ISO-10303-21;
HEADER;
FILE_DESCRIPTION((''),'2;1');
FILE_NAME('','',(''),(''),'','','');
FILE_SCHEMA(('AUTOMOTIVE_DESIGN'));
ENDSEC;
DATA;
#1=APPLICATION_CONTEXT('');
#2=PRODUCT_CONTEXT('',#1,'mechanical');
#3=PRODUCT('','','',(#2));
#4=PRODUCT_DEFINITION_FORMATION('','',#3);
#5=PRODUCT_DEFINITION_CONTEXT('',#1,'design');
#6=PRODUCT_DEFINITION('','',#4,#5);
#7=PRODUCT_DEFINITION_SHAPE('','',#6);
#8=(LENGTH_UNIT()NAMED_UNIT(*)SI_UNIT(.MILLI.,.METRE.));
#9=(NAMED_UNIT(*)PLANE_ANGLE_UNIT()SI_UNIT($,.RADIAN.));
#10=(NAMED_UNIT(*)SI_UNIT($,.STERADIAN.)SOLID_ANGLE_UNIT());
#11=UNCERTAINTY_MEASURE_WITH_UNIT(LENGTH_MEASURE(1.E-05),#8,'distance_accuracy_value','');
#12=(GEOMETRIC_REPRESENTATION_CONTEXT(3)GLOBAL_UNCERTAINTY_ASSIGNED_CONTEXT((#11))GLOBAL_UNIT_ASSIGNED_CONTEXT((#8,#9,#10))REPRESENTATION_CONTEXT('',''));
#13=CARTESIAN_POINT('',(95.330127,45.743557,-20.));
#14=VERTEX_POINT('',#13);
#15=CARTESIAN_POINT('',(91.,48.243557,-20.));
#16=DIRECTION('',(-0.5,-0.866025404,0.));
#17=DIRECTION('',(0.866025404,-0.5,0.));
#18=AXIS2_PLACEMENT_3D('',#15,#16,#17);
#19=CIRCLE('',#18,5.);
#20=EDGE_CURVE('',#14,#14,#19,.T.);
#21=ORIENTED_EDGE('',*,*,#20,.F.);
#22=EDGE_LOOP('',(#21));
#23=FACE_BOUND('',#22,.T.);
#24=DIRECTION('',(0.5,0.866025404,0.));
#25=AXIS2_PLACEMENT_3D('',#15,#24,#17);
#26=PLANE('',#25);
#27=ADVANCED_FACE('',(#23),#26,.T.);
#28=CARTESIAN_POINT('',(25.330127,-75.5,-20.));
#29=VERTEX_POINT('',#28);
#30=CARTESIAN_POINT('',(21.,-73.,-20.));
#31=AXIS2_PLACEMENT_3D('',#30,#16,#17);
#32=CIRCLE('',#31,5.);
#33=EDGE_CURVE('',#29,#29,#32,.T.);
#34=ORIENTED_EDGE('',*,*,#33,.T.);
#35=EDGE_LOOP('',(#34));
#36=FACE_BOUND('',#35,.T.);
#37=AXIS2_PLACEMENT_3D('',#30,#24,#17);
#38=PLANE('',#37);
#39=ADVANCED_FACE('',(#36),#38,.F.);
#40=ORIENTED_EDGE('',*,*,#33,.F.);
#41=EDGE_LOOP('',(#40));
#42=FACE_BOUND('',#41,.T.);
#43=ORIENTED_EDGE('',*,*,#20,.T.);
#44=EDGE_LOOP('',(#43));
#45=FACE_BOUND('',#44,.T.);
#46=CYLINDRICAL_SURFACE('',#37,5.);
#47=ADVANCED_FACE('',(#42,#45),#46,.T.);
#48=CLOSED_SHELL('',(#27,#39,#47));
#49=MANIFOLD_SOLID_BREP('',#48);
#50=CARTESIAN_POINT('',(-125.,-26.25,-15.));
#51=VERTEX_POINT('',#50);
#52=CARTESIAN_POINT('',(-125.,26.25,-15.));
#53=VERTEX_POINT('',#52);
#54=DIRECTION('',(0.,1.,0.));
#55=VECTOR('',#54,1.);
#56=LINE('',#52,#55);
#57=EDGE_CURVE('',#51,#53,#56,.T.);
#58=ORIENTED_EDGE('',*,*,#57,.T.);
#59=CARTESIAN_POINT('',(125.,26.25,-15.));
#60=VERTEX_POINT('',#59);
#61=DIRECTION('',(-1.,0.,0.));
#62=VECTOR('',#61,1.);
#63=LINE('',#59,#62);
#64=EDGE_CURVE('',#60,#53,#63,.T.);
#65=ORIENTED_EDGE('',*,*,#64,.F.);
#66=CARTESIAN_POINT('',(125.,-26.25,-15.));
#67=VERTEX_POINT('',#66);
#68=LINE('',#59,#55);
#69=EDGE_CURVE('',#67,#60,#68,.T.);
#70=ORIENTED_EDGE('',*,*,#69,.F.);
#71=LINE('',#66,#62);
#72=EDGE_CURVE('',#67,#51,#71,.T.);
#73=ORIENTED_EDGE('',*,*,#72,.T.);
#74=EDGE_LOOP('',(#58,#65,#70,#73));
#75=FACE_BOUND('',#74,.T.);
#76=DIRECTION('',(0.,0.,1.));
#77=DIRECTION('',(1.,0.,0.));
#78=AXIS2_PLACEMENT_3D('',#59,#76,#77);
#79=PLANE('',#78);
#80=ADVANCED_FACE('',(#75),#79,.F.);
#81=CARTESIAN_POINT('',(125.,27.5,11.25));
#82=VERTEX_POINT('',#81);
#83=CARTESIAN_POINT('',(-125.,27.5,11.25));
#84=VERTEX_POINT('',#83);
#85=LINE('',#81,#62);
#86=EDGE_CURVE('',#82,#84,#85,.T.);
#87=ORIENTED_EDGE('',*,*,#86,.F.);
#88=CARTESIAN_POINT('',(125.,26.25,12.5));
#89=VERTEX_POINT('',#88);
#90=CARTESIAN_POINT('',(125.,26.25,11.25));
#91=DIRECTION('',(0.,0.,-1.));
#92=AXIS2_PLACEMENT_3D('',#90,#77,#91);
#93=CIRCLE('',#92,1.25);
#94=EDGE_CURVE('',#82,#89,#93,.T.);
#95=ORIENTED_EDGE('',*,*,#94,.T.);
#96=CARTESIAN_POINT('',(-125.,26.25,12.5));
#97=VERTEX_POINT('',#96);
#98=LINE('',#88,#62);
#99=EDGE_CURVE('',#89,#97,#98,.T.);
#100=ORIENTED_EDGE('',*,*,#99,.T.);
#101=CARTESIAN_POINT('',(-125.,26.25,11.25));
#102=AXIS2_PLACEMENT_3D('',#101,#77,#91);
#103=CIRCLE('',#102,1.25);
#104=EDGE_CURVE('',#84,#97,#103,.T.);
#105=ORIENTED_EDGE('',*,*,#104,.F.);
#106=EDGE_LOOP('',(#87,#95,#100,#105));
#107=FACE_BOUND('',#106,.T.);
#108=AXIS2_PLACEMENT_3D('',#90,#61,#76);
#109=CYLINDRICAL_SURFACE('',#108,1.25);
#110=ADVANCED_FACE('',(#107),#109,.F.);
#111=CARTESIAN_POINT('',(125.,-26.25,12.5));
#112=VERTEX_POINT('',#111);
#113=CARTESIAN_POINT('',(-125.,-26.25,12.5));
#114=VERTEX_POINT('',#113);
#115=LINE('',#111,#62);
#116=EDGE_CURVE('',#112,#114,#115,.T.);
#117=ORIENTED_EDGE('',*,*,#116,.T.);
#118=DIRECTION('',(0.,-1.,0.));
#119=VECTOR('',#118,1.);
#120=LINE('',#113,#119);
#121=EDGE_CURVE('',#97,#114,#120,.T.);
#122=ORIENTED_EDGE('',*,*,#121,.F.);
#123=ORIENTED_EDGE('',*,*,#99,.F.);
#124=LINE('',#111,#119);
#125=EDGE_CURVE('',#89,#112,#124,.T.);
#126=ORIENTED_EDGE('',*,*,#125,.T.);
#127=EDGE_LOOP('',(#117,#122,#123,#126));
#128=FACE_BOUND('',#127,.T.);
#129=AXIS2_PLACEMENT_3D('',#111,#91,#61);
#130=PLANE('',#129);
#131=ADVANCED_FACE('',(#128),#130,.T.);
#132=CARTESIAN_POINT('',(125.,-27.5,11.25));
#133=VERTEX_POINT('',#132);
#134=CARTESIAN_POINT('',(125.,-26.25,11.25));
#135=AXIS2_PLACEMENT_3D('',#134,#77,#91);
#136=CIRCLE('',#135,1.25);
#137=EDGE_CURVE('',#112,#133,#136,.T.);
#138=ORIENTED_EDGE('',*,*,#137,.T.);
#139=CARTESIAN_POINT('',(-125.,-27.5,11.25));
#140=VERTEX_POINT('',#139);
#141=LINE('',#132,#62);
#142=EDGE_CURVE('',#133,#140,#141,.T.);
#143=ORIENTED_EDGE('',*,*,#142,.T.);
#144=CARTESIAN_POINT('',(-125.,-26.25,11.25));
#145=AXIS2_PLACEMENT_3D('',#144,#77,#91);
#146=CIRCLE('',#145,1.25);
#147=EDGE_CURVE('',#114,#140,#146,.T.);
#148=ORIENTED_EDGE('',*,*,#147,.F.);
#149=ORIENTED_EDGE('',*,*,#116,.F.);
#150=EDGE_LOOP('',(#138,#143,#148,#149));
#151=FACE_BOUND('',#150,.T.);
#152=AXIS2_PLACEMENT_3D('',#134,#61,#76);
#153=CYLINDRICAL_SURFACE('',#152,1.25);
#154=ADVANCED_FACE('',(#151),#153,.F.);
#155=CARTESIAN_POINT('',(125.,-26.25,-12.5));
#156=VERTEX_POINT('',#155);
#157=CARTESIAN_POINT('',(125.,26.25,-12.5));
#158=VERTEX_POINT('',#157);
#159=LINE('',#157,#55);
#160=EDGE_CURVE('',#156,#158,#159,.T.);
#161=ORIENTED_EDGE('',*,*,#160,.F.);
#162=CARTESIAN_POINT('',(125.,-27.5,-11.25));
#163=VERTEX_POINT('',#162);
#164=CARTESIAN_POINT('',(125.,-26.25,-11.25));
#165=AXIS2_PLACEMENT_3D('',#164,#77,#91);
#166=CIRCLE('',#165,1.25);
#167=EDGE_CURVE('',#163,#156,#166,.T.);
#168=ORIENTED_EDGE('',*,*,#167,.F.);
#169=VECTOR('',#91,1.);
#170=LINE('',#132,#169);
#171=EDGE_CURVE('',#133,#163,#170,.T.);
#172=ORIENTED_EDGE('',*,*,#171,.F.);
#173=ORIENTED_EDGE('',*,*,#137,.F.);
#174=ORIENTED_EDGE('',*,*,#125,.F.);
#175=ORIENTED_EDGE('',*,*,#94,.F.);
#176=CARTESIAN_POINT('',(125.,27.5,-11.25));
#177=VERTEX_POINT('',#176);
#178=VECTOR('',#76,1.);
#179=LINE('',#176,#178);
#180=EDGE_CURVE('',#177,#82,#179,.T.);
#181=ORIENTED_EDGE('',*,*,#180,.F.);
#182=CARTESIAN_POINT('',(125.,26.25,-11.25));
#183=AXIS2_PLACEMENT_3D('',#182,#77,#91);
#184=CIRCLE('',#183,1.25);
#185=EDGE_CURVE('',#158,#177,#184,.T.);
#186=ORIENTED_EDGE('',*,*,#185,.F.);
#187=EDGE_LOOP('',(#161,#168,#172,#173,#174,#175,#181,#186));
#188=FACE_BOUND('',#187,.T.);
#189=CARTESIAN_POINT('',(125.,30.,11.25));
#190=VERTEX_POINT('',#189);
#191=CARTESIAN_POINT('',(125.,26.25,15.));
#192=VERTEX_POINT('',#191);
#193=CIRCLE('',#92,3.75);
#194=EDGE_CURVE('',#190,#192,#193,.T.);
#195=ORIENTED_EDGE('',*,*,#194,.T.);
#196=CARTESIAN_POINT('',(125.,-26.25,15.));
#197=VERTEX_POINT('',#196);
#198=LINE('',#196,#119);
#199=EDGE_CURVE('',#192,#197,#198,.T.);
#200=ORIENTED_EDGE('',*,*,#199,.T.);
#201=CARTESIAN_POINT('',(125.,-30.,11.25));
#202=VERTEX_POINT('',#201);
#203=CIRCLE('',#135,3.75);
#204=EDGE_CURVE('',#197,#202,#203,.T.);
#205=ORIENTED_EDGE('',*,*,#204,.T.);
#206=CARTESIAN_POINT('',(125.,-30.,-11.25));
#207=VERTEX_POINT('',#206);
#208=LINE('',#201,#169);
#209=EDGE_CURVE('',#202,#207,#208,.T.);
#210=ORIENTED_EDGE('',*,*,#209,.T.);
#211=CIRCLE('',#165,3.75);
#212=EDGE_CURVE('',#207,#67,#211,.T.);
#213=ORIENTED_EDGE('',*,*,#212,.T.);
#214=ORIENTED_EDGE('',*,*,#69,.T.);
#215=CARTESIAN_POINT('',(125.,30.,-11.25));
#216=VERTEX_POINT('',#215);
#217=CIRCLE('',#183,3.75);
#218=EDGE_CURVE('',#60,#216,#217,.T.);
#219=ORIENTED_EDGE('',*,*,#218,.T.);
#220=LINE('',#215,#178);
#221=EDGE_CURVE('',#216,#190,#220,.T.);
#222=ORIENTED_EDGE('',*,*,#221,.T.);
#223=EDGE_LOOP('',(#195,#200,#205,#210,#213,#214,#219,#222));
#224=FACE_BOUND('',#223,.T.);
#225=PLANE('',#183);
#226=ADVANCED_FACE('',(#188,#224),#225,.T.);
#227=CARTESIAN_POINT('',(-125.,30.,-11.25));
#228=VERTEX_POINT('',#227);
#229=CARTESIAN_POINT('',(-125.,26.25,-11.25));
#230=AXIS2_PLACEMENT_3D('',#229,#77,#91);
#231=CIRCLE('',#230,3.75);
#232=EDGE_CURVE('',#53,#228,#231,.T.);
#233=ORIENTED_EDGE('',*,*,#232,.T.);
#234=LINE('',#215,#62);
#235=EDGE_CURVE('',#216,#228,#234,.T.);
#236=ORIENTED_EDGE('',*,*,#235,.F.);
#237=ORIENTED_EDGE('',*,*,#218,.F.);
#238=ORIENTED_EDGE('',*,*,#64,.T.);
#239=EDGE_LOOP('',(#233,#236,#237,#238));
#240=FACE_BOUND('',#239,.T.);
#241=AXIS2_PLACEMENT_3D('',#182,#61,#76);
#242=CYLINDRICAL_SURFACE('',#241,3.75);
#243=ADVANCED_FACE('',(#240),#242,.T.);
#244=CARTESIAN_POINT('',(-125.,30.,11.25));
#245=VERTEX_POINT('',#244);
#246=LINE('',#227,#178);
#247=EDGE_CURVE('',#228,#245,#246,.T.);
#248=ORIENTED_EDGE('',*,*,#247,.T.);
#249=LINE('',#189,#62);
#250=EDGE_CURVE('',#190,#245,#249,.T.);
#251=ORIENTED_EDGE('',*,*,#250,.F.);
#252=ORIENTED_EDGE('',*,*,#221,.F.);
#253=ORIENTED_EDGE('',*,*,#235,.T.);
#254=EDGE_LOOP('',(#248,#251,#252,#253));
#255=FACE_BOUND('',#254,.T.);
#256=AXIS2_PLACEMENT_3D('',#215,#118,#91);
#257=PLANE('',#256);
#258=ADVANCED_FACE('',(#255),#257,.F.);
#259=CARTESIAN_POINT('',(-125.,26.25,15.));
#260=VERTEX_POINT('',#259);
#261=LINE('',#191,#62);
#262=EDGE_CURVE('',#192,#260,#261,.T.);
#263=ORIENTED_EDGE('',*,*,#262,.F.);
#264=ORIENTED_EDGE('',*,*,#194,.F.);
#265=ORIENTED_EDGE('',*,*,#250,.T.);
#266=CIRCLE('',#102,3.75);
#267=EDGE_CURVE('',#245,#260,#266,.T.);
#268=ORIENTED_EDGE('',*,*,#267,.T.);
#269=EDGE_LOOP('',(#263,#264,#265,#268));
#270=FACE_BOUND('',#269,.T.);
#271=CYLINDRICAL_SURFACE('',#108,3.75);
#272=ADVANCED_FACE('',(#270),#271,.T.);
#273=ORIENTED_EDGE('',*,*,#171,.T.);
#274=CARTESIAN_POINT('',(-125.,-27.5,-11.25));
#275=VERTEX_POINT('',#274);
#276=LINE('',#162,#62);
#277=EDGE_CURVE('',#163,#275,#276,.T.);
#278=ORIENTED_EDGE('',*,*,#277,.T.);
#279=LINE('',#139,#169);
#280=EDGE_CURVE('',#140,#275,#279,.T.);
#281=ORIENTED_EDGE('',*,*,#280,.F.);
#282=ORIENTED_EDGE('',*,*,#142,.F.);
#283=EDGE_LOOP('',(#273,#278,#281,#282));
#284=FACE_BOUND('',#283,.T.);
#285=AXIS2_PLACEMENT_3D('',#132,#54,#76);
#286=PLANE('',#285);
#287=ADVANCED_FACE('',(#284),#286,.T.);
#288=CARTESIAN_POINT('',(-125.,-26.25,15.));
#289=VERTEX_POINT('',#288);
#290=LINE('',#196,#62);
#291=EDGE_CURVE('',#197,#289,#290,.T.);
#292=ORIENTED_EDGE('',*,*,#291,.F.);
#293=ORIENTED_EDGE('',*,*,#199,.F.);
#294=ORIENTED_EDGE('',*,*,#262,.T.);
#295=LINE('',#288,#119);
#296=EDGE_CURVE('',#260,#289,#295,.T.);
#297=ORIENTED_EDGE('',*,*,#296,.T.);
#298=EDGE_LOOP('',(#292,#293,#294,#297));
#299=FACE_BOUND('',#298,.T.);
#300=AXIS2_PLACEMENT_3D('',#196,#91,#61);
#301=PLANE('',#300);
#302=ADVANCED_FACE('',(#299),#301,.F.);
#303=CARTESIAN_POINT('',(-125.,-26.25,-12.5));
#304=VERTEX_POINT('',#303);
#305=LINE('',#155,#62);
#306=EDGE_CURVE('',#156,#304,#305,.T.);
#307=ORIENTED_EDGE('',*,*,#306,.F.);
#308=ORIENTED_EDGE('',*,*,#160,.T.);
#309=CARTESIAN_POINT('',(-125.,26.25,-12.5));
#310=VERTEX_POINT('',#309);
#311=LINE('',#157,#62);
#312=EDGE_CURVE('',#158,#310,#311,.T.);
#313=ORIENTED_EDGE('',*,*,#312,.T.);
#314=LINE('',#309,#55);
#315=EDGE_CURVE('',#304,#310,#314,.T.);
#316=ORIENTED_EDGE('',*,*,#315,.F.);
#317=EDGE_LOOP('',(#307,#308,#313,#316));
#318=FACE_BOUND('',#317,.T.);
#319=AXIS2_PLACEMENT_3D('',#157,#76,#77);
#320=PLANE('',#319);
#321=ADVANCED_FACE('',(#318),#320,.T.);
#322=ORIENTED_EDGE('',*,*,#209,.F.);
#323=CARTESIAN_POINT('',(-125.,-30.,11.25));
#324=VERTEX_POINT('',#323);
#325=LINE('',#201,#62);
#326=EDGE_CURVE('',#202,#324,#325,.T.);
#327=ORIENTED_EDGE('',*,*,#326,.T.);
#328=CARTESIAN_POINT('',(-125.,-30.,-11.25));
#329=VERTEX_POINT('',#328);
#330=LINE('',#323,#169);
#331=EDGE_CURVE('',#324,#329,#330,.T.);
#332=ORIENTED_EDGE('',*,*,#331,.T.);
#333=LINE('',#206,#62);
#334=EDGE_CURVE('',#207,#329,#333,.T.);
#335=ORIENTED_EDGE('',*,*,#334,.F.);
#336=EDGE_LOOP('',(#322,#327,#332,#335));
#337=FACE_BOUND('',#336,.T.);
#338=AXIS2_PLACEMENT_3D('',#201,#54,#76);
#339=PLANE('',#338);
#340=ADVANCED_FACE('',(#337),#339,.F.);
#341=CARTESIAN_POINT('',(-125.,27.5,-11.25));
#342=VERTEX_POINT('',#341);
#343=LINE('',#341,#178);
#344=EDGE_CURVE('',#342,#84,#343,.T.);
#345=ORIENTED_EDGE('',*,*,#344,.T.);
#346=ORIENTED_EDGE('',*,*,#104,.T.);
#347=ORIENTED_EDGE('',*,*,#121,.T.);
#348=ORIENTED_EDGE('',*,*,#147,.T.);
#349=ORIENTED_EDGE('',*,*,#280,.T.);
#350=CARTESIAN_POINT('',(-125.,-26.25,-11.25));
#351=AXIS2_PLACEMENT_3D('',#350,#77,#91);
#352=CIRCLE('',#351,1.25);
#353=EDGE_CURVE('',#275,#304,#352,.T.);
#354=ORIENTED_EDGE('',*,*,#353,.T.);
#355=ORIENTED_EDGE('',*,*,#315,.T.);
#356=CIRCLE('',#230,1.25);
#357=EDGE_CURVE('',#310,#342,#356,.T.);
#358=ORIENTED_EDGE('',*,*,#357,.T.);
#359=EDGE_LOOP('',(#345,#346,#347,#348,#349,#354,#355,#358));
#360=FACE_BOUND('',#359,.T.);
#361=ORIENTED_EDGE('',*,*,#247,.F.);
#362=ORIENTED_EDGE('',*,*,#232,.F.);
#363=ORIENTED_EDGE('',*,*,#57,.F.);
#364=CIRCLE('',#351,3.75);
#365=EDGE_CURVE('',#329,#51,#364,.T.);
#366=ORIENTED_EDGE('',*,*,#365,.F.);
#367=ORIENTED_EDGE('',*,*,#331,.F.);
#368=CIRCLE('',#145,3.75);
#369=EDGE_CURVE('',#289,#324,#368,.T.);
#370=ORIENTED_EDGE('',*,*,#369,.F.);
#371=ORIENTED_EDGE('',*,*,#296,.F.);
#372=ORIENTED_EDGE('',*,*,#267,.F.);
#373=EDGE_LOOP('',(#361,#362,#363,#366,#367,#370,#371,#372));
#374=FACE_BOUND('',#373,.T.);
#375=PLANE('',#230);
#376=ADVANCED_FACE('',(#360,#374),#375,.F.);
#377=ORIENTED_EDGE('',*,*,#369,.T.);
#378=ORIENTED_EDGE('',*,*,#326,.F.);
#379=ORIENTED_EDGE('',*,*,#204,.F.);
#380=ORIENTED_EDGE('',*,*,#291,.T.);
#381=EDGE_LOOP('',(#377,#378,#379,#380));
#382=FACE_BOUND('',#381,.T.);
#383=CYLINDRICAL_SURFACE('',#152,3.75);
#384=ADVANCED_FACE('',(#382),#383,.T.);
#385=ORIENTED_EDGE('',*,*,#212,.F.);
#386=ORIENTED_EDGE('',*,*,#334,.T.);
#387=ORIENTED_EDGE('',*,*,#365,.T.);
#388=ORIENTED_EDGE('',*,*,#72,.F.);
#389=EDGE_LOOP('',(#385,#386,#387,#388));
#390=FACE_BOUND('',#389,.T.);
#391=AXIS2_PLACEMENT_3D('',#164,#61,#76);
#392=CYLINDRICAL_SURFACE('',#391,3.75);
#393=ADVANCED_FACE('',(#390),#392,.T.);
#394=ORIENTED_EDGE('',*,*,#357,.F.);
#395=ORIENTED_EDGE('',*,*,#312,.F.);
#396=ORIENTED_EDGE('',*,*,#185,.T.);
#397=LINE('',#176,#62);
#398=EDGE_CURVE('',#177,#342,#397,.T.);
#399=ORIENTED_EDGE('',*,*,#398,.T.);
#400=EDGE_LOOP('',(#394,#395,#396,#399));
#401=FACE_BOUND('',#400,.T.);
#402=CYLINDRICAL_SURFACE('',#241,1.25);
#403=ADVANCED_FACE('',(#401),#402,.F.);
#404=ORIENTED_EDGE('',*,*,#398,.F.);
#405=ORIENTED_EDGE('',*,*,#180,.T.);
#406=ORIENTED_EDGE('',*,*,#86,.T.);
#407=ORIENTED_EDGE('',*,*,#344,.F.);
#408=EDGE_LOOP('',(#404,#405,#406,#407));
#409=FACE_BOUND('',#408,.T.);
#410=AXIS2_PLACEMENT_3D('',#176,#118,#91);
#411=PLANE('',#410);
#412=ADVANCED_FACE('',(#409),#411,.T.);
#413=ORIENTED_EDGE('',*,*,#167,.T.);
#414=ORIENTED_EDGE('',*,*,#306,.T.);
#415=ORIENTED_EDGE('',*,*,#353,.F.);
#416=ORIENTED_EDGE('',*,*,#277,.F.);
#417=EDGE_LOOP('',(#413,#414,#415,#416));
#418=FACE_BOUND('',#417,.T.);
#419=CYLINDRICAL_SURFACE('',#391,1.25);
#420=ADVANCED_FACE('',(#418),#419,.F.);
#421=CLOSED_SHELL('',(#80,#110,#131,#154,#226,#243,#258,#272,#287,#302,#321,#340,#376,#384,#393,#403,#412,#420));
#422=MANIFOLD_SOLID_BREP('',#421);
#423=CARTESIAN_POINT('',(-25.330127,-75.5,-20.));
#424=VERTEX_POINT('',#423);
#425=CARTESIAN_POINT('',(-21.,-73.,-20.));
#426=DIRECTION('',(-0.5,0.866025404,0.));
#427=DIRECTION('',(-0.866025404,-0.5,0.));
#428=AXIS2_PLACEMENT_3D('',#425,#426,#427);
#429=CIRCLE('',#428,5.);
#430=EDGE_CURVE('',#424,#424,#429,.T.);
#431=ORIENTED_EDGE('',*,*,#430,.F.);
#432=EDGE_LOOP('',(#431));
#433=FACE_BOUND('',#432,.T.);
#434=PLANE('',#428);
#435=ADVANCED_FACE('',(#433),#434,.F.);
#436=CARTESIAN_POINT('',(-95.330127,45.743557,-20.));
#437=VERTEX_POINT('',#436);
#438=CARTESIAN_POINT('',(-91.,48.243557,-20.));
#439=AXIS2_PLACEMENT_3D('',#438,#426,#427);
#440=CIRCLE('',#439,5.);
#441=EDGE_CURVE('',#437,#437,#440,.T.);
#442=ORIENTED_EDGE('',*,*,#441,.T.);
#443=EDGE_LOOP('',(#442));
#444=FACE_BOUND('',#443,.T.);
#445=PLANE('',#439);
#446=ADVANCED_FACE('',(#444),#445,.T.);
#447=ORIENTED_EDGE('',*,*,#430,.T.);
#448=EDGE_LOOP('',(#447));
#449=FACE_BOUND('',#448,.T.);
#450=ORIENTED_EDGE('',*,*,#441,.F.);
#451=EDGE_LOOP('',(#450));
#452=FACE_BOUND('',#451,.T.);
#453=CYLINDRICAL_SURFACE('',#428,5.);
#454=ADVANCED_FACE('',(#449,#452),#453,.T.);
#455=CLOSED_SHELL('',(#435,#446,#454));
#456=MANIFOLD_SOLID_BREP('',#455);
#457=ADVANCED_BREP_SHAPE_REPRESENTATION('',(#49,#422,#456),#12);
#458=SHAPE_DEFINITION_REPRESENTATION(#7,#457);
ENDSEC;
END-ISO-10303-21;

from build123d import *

# Parameters (mm, degrees)
AXBXS_8645_68_60_X_30_X_3_1_DEPTH = 250
SKETCH_4_R                        = 5


with BuildPart() as part:
    # Sketch1 → Труба axbxs гост8645-68 60 X 30 X 3(1) (new body)
    with BuildSketch(Plane(origin=(-125, 0, 0), x_dir=(0, 0, -1), z_dir=(1, 0, 0))):
        with BuildLine():
            Line((-11.25, -30), (11.25, -30))
            ThreePointArc((11.25, -30), (13.901650429, -28.901650429), (15, -26.25))
            Line((15, -26.25), (15, 26.25))
            ThreePointArc((15, 26.25), (13.901650429, 28.901650429), (11.25, 30))
            Line((11.25, 30), (-11.25, 30))
            ThreePointArc((-11.25, 30), (-13.901650429, 28.901650429), (-15, 26.25))
            Line((-15, 26.25), (-15, -26.25))
            ThreePointArc((-15, -26.25), (-13.901650429, -28.901650429), (-11.25, -30))
        make_face()
        with BuildLine():
            Line((-11.25, -27.5), (11.25, -27.5))
            ThreePointArc((11.25, -27.5), (12.133883476, -27.133883476), (12.5, -26.25))
            Line((12.5, -26.25), (12.5, 26.25))
            ThreePointArc((12.5, 26.25), (12.133883476, 27.133883476), (11.25, 27.5))
            Line((11.25, 27.5), (-11.25, 27.5))
            ThreePointArc((-11.25, 27.5), (-12.133883476, 27.133883476), (-12.5, 26.25))
            Line((-12.5, 26.25), (-12.5, -26.25))
            ThreePointArc((-12.5, -26.25), (-12.133883476, -27.133883476), (-11.25, -27.5))
        make_face(mode=Mode.SUBTRACT)
    extrude(amount=AXBXS_8645_68_60_X_30_X_3_1_DEPTH)


with BuildPart() as body_2:
    # По траектории1: sweep along a path in Эскиз3
    with BuildLine(Plane(origin=(0, 0, -20), x_dir=(-1, 0, 0), z_dir=(0, 0, -1))) as sweep_1_path:
        Line((21, -73), (91, 48.24355653))
    # Эскиз4 → По траектории1 (sweep)
    with BuildSketch(Plane(origin=(-21, -73, -20), x_dir=(0.8660254037844387, 0.4999999999999999, 0), z_dir=(-0.49999999999999994, 0.8660254037844388, 0))):
        Circle(SKETCH_4_R)
    sweep(path=sweep_1_path.line)


with BuildPart() as body_3:
    # Зеркальное отражение1: mirrored copy
    add(body_2.part.mirror(Plane(origin=(0, 0, 0), x_dir=(0, 0, 1), z_dir=(1, 0, 0))))


solid = Compound([part.part, body_2.part, body_3.part])
